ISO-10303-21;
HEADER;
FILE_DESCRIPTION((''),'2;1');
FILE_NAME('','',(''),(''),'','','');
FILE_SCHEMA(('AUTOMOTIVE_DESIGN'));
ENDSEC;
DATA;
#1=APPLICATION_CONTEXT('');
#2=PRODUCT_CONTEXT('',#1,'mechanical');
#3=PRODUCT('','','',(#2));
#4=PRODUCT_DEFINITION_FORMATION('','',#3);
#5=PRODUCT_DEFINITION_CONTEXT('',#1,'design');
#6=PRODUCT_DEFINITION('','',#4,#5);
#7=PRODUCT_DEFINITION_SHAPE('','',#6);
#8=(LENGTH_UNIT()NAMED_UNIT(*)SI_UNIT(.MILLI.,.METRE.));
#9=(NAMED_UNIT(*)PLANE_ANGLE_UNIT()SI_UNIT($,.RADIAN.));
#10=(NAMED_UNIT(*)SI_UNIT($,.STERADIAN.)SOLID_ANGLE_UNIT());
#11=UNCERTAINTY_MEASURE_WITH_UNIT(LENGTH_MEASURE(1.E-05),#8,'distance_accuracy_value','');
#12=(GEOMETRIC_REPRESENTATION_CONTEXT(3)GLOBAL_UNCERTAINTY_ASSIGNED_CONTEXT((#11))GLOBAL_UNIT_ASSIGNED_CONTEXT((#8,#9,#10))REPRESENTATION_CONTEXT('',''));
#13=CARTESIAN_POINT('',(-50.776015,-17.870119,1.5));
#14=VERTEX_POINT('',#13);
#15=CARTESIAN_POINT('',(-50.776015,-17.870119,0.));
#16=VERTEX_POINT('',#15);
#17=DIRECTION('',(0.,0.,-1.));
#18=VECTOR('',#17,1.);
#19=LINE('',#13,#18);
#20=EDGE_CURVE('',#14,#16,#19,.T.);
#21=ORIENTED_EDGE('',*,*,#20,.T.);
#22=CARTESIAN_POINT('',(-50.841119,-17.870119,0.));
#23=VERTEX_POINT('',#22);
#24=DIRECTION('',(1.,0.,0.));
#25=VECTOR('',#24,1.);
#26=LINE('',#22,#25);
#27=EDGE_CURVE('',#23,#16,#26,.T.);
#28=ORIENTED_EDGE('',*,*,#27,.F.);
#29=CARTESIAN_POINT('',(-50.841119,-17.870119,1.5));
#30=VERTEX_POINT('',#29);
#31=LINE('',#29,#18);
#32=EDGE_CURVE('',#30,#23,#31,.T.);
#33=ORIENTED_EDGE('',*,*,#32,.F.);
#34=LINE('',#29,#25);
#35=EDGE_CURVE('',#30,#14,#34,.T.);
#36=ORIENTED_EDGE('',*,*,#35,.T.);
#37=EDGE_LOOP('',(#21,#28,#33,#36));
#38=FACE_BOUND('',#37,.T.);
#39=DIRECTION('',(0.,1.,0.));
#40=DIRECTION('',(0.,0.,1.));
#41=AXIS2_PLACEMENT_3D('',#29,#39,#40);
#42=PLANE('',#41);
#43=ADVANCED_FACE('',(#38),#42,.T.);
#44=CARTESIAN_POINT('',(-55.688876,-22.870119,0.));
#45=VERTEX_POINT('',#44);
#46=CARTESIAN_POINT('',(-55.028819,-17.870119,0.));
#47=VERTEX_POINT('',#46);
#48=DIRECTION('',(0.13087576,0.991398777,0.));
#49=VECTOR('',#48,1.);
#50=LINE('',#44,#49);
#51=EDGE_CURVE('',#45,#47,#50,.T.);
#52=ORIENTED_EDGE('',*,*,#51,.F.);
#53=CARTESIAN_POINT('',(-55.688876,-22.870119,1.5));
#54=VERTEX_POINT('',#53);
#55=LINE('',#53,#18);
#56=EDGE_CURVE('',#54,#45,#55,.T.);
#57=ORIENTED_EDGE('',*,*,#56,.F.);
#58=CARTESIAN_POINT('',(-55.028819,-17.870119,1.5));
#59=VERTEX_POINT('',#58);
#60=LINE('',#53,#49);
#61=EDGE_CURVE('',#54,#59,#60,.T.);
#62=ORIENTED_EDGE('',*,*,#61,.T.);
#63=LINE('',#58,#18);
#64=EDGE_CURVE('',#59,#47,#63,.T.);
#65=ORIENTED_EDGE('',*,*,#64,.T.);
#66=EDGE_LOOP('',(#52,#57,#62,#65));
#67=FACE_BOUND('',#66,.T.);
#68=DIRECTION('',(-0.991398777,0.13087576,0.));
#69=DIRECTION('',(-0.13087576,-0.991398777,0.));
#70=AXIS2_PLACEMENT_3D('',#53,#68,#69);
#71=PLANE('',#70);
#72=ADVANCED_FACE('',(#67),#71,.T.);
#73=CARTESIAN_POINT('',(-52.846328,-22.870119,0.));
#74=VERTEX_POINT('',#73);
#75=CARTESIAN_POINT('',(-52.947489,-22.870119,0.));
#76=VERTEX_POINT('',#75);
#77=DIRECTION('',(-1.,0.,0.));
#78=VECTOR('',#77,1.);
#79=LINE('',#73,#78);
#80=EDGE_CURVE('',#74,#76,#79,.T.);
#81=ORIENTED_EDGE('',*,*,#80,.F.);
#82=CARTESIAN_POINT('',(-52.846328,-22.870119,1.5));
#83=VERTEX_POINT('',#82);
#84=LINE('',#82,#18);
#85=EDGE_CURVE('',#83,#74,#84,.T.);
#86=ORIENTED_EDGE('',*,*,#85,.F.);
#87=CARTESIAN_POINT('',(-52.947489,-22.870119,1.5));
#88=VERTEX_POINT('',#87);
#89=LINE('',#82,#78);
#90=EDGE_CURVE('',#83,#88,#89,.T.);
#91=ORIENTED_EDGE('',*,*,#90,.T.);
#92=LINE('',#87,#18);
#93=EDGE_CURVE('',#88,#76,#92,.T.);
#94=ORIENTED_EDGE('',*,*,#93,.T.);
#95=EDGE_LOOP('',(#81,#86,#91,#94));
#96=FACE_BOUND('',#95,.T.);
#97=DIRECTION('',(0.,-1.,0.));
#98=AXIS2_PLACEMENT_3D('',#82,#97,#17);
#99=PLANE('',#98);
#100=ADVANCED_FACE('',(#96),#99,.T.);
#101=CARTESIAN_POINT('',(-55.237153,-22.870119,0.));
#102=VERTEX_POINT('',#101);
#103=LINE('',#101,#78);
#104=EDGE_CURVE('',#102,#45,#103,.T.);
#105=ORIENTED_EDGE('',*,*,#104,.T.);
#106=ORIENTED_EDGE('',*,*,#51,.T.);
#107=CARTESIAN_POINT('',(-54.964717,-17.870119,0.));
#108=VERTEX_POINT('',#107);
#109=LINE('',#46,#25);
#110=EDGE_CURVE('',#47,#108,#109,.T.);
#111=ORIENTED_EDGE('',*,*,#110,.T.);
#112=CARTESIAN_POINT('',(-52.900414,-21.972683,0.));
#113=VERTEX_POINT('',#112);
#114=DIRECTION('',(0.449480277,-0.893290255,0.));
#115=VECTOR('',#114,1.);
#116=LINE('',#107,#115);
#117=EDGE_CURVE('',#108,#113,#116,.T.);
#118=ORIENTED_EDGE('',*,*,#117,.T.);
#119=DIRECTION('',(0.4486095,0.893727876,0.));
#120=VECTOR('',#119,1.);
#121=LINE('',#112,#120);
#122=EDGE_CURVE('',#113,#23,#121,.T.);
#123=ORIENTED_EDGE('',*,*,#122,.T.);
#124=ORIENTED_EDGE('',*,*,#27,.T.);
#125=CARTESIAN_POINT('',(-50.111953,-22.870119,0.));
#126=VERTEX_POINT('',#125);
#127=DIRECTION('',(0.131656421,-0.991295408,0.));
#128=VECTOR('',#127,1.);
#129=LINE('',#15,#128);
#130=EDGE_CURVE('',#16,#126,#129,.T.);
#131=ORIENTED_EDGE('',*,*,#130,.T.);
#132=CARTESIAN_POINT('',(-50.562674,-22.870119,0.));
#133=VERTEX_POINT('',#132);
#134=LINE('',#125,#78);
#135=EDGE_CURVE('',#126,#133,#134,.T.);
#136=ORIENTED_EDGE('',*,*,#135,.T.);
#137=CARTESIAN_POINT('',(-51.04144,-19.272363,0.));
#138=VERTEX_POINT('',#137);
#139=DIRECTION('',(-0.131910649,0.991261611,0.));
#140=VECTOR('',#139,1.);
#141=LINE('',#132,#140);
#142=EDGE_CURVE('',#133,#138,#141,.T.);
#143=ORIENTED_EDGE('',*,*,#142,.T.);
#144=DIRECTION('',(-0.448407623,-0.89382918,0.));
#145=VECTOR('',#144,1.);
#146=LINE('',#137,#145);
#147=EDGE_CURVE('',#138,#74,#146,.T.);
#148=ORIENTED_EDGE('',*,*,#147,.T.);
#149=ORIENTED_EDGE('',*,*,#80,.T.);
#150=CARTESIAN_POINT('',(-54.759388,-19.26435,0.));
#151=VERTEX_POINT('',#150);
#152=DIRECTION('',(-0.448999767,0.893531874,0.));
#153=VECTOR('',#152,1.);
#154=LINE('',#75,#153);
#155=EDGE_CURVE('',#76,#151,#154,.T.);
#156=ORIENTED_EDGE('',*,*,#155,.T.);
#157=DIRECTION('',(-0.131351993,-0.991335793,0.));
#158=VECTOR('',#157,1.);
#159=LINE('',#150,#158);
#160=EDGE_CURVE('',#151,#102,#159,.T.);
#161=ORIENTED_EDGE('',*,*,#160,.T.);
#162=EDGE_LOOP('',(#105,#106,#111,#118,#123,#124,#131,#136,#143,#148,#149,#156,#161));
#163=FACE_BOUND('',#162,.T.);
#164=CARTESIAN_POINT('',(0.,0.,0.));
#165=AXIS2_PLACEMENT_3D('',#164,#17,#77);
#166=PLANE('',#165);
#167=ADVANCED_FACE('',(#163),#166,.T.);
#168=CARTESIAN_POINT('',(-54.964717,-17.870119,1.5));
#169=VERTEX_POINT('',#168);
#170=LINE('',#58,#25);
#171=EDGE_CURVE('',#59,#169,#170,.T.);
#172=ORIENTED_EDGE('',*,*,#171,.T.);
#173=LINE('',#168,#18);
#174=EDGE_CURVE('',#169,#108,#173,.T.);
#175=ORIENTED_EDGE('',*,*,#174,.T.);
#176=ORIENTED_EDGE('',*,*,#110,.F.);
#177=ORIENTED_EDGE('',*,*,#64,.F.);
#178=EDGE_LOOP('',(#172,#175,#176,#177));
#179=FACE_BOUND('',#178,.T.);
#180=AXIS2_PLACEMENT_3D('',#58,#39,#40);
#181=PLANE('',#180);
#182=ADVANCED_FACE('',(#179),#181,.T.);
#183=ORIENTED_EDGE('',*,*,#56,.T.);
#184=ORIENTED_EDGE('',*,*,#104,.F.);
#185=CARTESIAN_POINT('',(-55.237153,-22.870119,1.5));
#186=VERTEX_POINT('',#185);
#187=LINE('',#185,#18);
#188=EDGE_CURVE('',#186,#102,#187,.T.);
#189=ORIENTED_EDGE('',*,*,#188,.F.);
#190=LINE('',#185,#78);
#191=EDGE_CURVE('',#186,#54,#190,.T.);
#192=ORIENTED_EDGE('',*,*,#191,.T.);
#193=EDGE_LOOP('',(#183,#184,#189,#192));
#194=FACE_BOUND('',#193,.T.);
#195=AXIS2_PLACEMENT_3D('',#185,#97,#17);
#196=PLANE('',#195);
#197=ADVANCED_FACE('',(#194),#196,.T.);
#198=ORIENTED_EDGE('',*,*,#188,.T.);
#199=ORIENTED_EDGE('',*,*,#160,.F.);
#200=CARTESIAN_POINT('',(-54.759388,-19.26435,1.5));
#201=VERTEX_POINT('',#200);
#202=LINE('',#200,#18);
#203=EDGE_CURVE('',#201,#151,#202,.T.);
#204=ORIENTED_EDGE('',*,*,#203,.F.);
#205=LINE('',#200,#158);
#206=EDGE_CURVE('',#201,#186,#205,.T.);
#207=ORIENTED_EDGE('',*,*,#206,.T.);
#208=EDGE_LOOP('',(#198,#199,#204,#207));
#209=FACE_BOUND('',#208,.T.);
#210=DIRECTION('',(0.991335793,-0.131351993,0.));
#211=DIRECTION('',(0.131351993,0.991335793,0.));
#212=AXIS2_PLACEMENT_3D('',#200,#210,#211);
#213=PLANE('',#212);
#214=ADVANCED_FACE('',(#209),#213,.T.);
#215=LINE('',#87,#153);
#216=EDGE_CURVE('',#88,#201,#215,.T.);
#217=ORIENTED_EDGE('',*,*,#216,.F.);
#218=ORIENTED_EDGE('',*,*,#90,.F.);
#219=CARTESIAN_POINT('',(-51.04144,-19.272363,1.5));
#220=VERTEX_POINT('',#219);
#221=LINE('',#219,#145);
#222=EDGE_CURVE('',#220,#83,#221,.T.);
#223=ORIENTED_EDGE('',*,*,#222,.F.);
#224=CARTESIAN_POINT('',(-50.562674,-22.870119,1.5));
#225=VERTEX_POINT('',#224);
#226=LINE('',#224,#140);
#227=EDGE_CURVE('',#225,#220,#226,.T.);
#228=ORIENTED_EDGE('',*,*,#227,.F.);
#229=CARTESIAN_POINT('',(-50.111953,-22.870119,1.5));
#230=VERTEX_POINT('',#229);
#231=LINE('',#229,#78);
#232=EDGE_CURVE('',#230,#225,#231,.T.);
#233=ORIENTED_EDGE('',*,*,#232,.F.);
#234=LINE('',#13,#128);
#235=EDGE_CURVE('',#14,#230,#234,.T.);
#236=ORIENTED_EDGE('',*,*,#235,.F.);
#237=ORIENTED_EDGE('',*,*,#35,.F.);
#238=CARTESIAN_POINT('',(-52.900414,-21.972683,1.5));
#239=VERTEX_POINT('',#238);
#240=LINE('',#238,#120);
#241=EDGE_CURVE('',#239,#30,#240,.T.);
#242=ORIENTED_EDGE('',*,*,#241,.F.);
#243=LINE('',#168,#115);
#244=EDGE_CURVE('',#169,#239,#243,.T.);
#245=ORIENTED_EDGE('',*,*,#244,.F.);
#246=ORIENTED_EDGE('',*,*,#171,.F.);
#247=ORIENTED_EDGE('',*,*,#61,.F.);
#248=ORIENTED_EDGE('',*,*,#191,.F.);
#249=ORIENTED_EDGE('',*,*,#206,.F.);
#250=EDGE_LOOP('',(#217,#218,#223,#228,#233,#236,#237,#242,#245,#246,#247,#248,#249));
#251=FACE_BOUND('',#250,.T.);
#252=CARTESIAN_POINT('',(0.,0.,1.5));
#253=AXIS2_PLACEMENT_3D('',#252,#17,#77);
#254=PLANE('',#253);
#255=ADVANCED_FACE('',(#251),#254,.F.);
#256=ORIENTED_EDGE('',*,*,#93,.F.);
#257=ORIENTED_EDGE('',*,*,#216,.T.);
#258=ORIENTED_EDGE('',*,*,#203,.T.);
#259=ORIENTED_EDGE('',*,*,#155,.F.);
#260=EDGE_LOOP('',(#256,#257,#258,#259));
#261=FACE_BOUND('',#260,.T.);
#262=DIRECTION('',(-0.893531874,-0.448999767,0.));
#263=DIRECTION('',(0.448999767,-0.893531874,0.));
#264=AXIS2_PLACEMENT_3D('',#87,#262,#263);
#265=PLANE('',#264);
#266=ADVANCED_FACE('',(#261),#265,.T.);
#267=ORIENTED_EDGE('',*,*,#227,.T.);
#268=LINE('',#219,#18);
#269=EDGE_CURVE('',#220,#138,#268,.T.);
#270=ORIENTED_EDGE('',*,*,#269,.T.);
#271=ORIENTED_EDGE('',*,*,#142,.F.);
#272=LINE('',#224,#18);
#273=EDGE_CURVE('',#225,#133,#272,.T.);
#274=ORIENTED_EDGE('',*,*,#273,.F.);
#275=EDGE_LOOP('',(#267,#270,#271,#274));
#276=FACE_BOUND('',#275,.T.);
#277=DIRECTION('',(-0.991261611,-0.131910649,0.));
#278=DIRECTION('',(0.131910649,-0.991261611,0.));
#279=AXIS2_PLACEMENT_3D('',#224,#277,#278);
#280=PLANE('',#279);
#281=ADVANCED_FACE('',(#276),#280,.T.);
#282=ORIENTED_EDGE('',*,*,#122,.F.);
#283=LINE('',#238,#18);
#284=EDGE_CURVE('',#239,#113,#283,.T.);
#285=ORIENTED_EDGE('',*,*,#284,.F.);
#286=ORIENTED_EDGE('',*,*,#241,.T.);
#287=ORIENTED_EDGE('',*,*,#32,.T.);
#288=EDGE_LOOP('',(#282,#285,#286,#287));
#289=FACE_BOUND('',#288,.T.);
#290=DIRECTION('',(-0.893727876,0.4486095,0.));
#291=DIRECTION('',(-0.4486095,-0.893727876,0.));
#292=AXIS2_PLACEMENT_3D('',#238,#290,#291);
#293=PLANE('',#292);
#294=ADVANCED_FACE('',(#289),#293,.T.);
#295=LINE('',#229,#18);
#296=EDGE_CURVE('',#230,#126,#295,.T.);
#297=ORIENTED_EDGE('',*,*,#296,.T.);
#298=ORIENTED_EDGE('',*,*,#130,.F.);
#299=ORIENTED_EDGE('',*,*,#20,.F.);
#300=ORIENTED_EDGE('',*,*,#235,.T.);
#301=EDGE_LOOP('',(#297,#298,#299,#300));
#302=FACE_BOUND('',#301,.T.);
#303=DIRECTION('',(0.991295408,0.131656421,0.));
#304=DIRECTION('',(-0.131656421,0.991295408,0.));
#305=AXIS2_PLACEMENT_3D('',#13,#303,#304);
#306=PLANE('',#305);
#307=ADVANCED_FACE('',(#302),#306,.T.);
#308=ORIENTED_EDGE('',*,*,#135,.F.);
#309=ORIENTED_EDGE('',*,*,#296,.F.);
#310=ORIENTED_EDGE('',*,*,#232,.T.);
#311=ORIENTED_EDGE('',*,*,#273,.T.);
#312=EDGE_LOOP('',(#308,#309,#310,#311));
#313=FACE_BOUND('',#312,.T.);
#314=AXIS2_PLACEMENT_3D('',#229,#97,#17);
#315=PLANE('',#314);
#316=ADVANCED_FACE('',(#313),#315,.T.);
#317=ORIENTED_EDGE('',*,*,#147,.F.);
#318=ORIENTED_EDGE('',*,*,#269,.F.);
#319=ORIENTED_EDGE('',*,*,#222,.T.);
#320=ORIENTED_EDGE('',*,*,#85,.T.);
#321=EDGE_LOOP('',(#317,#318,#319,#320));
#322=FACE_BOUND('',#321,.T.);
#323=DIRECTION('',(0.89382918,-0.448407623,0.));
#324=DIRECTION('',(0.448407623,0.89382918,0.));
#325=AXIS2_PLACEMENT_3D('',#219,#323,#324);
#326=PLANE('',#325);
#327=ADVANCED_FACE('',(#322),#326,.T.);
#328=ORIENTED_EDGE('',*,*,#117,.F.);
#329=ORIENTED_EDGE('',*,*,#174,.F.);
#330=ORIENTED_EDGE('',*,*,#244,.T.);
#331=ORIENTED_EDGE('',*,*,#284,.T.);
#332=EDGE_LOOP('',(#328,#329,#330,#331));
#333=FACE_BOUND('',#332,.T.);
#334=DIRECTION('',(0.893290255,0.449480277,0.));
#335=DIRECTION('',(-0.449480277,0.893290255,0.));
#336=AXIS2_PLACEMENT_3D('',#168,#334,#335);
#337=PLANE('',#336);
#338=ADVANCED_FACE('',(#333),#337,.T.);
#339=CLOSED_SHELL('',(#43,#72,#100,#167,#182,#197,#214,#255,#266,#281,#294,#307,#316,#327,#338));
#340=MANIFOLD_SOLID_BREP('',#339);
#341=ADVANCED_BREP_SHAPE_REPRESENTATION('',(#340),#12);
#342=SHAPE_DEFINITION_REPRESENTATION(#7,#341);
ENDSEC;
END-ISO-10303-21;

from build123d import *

# Parameters (mm, degrees)
BOSS_EXTRU_1_DEPTH = 1.5


with BuildPart() as part:
    # Esquisse1 → Boss.-Extru.1 (new body)
    with BuildSketch(Plane.XY):
        Polygon((-55.688875582, -22.870119076), (-55.028819493, -17.870119076), (-54.964716928, -17.870119076), (-52.900414044, -21.972683179), (-50.841119172, -17.870119076), (-50.776015005, -17.870119076), (-50.111952505, -22.870119076), (-50.562673659, -22.870119076), (-51.041439685, -19.272362666), (-52.846327505, -22.870119076), (-52.947489364, -22.870119076), (-54.759388403, -19.264349845), (-55.237152826, -22.870119076), align=None)
    extrude(amount=BOSS_EXTRU_1_DEPTH)


solid = part.part
